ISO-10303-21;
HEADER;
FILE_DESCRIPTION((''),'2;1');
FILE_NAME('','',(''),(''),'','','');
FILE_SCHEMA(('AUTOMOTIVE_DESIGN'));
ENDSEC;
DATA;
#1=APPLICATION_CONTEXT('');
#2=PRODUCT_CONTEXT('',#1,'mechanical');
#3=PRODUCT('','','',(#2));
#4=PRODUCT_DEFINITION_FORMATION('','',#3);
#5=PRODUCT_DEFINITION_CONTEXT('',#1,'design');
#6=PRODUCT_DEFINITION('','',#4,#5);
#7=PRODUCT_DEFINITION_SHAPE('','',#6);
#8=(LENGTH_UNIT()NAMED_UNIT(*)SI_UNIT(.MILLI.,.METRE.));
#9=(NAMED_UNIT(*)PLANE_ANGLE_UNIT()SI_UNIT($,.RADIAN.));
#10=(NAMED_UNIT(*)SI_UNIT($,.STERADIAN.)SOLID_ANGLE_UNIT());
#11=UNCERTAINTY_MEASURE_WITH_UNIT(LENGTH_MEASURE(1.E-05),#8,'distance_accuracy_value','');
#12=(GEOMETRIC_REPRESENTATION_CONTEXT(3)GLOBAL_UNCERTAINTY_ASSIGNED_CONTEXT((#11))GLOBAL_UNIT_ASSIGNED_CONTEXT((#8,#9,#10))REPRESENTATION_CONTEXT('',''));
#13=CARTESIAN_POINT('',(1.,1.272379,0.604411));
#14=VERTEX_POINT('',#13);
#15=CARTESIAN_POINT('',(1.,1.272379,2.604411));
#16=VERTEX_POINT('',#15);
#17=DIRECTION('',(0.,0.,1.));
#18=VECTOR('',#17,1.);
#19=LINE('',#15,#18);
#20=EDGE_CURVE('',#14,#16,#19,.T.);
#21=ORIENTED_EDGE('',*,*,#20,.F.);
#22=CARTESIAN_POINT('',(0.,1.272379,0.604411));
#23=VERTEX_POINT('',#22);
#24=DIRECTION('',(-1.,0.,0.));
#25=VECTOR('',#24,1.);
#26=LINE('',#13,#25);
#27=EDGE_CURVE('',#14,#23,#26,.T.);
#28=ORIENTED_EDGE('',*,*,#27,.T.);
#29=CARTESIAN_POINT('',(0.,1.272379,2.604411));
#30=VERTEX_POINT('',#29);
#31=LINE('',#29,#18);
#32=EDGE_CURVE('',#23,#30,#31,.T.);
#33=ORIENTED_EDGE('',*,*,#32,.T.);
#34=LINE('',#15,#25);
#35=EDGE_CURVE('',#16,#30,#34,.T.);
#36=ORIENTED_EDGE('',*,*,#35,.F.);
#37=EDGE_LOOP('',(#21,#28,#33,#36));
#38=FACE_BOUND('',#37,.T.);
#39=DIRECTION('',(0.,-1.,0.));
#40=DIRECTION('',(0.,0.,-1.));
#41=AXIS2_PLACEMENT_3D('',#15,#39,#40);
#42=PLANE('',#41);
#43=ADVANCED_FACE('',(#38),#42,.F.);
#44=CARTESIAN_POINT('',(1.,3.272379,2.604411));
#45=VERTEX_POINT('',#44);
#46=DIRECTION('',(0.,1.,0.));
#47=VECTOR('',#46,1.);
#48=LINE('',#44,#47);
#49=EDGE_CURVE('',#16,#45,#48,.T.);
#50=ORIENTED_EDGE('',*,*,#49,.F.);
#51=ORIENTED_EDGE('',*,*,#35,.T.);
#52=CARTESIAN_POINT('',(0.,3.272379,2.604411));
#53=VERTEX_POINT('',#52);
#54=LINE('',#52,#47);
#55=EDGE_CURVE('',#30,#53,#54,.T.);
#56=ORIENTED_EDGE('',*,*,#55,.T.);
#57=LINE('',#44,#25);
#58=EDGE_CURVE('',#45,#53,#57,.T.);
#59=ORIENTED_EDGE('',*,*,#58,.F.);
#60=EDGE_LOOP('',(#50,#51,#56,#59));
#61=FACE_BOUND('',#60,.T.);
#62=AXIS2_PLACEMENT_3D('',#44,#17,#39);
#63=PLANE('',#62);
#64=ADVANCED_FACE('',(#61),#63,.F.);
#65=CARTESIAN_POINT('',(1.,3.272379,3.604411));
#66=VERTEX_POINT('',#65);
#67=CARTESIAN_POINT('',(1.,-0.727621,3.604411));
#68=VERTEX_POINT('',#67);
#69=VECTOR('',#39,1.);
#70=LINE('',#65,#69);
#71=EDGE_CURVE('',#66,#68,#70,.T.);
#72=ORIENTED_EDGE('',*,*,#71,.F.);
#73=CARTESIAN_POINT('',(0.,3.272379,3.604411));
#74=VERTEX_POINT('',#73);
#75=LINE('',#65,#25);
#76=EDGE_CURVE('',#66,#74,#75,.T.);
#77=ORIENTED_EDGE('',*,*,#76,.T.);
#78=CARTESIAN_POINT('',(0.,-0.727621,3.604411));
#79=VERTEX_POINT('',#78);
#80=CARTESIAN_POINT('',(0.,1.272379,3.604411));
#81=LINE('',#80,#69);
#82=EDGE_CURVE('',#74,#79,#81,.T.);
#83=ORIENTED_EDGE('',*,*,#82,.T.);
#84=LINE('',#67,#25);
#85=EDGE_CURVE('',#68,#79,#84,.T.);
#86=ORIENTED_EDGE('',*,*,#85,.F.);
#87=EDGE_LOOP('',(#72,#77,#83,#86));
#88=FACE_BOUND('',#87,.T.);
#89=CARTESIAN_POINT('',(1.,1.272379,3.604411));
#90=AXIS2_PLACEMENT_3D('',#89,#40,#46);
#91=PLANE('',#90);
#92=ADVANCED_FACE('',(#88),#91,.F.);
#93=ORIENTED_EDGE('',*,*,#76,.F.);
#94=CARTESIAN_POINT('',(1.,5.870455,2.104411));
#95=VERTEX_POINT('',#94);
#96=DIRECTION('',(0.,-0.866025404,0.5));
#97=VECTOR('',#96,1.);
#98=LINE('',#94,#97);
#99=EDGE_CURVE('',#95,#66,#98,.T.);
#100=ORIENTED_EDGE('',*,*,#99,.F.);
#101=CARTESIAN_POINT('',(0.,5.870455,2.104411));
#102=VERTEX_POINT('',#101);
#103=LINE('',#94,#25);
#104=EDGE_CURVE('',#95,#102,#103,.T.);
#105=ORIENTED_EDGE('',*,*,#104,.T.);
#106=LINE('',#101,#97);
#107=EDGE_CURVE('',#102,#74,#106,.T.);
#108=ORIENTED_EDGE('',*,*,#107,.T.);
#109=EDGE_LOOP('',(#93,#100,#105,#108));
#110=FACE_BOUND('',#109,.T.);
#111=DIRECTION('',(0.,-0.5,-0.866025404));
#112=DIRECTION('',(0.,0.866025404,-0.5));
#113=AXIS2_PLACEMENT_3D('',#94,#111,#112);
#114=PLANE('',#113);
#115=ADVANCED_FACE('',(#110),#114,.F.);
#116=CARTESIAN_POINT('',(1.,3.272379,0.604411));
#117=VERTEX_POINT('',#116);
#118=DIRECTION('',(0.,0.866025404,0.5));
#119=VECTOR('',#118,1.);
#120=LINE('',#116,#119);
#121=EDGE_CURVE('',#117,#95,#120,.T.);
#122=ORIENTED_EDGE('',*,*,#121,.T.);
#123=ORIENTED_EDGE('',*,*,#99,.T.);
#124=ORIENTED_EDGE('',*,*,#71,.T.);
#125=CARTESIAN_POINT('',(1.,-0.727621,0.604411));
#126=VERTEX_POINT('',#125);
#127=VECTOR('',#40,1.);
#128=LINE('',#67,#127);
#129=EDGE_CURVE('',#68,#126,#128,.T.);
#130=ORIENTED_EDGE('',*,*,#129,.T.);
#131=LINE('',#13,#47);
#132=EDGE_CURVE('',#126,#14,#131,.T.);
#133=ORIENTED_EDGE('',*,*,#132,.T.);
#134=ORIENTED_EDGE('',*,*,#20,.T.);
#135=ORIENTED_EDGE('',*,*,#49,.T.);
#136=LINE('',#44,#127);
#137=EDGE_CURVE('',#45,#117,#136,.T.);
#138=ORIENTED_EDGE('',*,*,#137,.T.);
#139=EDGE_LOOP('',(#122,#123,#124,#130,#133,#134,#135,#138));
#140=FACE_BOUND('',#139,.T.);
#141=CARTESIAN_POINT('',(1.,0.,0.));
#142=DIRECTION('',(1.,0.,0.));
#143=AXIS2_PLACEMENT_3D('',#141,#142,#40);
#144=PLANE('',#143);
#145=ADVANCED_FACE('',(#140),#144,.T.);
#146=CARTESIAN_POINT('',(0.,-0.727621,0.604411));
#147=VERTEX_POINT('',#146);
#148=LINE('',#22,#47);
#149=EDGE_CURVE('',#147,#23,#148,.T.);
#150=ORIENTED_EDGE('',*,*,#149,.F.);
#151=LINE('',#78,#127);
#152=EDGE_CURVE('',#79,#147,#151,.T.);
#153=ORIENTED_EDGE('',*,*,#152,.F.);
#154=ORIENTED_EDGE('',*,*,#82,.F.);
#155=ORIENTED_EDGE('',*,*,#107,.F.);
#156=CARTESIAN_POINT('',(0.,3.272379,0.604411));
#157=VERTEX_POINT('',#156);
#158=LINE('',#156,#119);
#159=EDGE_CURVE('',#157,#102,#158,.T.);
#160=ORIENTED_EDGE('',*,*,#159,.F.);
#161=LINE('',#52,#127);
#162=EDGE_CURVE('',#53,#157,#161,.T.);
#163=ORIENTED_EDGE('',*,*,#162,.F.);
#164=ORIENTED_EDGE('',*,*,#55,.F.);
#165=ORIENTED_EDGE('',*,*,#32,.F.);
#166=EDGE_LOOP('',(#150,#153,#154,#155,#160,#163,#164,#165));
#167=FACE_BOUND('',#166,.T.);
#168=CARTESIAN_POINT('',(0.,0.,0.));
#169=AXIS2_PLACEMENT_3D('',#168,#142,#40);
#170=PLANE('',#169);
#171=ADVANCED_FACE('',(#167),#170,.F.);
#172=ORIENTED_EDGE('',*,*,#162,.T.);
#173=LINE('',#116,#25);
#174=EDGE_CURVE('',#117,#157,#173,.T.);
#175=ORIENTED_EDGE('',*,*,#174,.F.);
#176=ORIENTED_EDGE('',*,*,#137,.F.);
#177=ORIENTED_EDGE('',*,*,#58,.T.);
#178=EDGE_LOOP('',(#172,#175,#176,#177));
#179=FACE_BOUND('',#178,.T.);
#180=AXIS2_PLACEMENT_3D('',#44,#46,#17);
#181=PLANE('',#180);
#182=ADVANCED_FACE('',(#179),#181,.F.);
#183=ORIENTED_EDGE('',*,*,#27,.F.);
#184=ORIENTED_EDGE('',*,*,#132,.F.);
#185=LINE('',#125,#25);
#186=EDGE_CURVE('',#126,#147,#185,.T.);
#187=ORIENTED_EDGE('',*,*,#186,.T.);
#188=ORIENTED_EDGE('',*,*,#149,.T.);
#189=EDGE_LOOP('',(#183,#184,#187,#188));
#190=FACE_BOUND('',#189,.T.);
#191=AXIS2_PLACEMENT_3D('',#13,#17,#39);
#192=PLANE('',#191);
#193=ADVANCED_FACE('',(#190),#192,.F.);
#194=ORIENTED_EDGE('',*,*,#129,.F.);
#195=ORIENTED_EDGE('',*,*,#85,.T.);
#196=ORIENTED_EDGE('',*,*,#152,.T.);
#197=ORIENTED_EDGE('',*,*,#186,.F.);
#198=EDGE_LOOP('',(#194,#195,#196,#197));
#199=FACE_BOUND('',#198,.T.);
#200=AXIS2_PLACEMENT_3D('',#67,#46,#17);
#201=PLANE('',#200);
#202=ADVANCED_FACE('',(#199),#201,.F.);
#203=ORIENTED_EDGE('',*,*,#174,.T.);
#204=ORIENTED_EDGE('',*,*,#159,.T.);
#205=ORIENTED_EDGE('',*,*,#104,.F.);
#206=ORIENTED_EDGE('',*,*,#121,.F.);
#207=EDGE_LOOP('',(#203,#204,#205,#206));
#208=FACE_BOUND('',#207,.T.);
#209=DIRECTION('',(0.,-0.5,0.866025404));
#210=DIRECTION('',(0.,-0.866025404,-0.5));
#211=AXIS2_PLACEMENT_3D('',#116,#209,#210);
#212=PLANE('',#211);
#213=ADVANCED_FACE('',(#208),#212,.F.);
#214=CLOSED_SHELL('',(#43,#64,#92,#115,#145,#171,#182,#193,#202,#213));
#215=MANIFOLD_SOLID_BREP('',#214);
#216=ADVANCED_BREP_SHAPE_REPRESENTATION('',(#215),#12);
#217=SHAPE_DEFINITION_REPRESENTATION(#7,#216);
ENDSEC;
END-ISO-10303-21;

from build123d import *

# Parameters (mm, degrees)
EXTRUDE_2_DEPTH = 1


with BuildPart() as part:
    # 草图2 → 凸台-拉伸2 (new body)
    with BuildSketch(Plane(origin=(0, 0, 0), x_dir=(0, 0, -1), z_dir=(1, 0, 0))):
        Polygon((-2.604410535, 1.272378682), (-0.604410535, 1.272378682), (-0.604410535, -0.727621318), (-3.604410535, -0.727621318), (-3.604410535, 1.272378682), (-3.604410535, 3.272378682), (-2.104410535, 5.870454893), (-0.604410535, 3.272378682), (-2.604410535, 3.272378682), align=None)
    extrude(amount=EXTRUDE_2_DEPTH)


solid = part.part
